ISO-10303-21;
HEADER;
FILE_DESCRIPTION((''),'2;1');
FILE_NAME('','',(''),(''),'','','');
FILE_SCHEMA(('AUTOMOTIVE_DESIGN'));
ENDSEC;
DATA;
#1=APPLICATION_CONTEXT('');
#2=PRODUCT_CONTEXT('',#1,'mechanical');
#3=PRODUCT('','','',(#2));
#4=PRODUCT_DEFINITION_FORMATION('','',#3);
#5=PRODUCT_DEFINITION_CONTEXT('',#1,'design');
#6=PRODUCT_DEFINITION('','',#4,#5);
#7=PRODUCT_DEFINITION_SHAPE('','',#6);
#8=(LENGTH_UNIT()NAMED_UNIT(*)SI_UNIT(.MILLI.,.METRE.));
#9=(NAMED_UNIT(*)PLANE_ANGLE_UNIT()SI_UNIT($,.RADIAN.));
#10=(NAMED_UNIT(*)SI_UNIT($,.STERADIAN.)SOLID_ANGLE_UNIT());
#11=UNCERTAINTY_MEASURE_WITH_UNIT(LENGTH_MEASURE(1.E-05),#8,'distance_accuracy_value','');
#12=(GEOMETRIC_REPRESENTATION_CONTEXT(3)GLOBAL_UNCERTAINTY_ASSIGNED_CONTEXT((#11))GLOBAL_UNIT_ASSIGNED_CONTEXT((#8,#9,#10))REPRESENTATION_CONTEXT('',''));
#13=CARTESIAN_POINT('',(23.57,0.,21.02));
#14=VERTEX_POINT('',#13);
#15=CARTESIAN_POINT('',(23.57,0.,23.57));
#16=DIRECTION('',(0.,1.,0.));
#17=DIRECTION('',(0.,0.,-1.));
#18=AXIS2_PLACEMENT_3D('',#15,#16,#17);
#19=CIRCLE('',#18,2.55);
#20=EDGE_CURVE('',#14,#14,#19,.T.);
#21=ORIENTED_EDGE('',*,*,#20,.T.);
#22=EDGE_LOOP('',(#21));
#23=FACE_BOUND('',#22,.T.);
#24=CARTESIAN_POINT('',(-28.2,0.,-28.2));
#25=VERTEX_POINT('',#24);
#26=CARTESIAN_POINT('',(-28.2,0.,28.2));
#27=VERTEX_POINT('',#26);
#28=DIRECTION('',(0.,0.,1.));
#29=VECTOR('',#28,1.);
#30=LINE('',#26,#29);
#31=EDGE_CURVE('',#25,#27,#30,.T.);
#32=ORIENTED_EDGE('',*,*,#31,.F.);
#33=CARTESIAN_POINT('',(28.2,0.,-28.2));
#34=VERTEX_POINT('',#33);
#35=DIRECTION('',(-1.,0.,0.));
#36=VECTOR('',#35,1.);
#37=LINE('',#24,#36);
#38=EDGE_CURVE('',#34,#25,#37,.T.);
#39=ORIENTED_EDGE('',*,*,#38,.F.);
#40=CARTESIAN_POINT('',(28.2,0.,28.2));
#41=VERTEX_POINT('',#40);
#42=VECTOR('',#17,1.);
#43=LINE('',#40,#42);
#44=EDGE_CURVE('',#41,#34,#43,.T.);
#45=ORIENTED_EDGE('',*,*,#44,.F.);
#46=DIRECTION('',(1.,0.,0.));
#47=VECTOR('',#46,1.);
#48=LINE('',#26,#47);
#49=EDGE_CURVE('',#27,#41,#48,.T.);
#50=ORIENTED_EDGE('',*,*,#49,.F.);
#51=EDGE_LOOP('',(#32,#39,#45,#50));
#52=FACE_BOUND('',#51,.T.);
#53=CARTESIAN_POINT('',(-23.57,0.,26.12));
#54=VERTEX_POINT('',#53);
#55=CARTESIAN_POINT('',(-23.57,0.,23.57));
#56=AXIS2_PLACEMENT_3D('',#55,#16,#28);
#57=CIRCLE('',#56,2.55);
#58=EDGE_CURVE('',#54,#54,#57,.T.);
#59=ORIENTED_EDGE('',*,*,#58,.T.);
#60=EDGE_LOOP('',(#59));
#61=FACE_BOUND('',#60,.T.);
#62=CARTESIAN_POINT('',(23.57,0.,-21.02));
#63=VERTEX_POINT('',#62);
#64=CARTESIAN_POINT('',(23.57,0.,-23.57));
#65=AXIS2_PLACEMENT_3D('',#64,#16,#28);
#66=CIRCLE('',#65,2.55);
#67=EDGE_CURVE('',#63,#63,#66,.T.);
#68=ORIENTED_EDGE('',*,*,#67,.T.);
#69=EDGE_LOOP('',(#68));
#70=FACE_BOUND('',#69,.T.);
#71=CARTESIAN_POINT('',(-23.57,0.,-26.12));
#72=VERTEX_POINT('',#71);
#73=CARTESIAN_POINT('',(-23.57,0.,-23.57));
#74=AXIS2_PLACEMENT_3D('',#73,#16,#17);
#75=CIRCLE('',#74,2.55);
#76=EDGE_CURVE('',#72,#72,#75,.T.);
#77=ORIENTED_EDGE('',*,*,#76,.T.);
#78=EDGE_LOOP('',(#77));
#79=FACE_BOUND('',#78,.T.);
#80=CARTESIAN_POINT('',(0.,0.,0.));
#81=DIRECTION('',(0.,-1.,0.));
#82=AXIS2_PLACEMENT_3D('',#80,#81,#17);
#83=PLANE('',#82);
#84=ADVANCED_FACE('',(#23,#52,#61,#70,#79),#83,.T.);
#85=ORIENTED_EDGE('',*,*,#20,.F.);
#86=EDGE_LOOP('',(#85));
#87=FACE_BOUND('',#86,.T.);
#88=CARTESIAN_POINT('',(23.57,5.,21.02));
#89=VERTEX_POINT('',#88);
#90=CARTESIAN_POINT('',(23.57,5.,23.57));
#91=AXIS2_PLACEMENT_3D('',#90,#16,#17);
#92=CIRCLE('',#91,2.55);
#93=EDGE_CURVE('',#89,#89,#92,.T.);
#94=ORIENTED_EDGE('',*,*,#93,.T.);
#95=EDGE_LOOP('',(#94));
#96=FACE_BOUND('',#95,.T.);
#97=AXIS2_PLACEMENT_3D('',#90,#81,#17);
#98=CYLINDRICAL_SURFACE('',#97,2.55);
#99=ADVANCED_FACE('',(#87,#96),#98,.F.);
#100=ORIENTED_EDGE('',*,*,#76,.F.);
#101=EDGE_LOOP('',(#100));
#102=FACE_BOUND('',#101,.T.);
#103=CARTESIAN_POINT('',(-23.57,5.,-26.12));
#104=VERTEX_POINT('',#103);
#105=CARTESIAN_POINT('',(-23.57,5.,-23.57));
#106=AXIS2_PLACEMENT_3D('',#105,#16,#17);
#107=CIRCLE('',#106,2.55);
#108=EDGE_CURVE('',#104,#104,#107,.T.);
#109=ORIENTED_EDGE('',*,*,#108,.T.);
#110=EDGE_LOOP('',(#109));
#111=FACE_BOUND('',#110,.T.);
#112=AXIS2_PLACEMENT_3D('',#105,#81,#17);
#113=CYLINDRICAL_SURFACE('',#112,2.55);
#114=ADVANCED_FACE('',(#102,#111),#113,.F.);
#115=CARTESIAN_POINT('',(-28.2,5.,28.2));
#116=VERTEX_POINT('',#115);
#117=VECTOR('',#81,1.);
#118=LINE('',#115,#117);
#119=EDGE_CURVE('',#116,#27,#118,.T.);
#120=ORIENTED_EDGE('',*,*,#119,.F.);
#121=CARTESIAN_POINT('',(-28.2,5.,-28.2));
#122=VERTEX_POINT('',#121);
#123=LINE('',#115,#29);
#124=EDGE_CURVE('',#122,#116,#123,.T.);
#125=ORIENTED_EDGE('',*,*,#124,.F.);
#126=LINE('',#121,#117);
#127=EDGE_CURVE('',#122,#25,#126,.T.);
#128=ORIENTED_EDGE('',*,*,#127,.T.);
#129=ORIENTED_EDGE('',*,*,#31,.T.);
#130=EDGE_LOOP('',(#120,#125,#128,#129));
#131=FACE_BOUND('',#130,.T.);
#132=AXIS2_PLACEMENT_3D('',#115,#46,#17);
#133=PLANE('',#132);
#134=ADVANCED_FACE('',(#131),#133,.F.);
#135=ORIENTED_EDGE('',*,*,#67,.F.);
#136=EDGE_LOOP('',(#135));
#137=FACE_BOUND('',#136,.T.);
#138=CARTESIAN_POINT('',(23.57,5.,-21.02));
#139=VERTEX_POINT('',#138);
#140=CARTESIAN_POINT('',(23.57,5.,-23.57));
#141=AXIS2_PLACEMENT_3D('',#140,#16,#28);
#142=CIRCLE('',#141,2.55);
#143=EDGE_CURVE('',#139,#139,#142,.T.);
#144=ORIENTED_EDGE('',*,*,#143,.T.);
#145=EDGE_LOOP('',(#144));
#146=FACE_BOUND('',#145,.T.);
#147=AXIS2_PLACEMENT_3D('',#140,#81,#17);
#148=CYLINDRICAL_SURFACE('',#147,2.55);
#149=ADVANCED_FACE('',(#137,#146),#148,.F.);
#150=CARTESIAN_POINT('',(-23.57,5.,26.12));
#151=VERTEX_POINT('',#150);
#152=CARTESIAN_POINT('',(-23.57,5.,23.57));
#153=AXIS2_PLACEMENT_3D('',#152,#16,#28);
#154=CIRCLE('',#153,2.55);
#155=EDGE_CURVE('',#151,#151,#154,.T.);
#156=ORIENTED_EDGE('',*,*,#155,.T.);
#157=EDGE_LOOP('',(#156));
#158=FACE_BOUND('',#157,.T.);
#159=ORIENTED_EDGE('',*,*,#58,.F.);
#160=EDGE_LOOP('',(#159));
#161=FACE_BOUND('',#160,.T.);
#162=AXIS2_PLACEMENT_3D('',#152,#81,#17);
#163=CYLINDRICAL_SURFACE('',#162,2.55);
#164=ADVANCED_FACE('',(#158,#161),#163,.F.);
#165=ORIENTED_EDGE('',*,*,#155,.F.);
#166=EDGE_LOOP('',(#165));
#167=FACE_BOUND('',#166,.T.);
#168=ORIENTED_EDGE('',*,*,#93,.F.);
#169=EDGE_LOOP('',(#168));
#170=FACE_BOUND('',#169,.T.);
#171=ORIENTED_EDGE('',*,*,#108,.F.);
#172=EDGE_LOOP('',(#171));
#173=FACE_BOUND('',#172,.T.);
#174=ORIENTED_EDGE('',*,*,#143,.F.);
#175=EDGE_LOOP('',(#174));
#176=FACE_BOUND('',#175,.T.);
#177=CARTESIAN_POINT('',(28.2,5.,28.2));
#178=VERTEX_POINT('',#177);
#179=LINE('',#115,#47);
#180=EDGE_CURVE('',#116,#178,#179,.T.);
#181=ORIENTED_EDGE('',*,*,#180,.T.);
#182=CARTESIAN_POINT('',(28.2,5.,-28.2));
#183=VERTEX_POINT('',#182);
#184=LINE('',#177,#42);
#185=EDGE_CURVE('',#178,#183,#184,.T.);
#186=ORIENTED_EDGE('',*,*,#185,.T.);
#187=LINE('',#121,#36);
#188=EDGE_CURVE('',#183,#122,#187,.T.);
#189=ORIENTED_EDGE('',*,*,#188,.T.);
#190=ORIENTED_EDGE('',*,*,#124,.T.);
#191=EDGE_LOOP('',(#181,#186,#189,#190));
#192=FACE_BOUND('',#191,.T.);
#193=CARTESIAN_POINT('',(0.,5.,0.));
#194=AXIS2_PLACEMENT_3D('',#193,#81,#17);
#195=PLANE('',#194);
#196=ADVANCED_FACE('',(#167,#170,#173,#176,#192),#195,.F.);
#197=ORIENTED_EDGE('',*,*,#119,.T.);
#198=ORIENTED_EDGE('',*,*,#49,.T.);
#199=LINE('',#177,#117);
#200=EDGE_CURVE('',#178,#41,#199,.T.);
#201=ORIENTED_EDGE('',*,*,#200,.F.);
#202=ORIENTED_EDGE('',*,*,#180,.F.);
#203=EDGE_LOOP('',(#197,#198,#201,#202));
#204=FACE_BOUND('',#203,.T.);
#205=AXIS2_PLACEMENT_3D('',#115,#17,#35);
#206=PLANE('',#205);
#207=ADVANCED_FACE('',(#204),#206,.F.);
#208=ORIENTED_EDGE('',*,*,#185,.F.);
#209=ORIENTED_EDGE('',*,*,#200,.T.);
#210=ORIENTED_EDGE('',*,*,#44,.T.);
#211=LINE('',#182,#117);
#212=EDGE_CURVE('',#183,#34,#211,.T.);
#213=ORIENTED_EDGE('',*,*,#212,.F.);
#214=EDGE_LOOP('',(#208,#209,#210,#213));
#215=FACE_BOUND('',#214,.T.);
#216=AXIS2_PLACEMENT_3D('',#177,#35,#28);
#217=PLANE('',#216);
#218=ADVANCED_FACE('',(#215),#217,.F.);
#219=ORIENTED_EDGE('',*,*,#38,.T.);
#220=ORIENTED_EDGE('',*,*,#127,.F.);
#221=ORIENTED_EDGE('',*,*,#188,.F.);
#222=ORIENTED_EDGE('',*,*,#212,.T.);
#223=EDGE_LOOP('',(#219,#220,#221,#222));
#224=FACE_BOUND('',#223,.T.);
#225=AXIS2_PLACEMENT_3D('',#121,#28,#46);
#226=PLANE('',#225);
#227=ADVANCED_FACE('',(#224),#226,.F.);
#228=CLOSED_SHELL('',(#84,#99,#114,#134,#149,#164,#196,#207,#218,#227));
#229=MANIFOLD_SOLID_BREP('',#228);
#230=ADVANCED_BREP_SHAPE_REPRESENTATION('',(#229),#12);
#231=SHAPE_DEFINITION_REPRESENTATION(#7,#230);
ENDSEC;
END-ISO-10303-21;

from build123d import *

# Parameters (mm, degrees)
SKETCH1_W           = 56.4
SKETCH1_H           = 56.4
SKETCH1_R           = 2.55
BOSS_EXTRUDE1_DEPTH = 5


with BuildPart() as part:
    # Sketch1 → Boss-Extrude1 (new body)
    with BuildSketch(Plane(origin=(0, 0, 0), x_dir=(1, 0, 0), z_dir=(0, 1, 0))):
        Rectangle(SKETCH1_W, SKETCH1_H)
        with Locations((-23.57, -23.57)):
            Circle(SKETCH1_R, mode=Mode.SUBTRACT)
        with Locations((23.57, -23.57)):
            Circle(SKETCH1_R, mode=Mode.SUBTRACT)
        with Locations((23.57, 23.57)):
            Circle(SKETCH1_R, mode=Mode.SUBTRACT)
        with Locations((-23.57, 23.57)):
            Circle(SKETCH1_R, mode=Mode.SUBTRACT)
    extrude(amount=BOSS_EXTRUDE1_DEPTH)


solid = part.part
